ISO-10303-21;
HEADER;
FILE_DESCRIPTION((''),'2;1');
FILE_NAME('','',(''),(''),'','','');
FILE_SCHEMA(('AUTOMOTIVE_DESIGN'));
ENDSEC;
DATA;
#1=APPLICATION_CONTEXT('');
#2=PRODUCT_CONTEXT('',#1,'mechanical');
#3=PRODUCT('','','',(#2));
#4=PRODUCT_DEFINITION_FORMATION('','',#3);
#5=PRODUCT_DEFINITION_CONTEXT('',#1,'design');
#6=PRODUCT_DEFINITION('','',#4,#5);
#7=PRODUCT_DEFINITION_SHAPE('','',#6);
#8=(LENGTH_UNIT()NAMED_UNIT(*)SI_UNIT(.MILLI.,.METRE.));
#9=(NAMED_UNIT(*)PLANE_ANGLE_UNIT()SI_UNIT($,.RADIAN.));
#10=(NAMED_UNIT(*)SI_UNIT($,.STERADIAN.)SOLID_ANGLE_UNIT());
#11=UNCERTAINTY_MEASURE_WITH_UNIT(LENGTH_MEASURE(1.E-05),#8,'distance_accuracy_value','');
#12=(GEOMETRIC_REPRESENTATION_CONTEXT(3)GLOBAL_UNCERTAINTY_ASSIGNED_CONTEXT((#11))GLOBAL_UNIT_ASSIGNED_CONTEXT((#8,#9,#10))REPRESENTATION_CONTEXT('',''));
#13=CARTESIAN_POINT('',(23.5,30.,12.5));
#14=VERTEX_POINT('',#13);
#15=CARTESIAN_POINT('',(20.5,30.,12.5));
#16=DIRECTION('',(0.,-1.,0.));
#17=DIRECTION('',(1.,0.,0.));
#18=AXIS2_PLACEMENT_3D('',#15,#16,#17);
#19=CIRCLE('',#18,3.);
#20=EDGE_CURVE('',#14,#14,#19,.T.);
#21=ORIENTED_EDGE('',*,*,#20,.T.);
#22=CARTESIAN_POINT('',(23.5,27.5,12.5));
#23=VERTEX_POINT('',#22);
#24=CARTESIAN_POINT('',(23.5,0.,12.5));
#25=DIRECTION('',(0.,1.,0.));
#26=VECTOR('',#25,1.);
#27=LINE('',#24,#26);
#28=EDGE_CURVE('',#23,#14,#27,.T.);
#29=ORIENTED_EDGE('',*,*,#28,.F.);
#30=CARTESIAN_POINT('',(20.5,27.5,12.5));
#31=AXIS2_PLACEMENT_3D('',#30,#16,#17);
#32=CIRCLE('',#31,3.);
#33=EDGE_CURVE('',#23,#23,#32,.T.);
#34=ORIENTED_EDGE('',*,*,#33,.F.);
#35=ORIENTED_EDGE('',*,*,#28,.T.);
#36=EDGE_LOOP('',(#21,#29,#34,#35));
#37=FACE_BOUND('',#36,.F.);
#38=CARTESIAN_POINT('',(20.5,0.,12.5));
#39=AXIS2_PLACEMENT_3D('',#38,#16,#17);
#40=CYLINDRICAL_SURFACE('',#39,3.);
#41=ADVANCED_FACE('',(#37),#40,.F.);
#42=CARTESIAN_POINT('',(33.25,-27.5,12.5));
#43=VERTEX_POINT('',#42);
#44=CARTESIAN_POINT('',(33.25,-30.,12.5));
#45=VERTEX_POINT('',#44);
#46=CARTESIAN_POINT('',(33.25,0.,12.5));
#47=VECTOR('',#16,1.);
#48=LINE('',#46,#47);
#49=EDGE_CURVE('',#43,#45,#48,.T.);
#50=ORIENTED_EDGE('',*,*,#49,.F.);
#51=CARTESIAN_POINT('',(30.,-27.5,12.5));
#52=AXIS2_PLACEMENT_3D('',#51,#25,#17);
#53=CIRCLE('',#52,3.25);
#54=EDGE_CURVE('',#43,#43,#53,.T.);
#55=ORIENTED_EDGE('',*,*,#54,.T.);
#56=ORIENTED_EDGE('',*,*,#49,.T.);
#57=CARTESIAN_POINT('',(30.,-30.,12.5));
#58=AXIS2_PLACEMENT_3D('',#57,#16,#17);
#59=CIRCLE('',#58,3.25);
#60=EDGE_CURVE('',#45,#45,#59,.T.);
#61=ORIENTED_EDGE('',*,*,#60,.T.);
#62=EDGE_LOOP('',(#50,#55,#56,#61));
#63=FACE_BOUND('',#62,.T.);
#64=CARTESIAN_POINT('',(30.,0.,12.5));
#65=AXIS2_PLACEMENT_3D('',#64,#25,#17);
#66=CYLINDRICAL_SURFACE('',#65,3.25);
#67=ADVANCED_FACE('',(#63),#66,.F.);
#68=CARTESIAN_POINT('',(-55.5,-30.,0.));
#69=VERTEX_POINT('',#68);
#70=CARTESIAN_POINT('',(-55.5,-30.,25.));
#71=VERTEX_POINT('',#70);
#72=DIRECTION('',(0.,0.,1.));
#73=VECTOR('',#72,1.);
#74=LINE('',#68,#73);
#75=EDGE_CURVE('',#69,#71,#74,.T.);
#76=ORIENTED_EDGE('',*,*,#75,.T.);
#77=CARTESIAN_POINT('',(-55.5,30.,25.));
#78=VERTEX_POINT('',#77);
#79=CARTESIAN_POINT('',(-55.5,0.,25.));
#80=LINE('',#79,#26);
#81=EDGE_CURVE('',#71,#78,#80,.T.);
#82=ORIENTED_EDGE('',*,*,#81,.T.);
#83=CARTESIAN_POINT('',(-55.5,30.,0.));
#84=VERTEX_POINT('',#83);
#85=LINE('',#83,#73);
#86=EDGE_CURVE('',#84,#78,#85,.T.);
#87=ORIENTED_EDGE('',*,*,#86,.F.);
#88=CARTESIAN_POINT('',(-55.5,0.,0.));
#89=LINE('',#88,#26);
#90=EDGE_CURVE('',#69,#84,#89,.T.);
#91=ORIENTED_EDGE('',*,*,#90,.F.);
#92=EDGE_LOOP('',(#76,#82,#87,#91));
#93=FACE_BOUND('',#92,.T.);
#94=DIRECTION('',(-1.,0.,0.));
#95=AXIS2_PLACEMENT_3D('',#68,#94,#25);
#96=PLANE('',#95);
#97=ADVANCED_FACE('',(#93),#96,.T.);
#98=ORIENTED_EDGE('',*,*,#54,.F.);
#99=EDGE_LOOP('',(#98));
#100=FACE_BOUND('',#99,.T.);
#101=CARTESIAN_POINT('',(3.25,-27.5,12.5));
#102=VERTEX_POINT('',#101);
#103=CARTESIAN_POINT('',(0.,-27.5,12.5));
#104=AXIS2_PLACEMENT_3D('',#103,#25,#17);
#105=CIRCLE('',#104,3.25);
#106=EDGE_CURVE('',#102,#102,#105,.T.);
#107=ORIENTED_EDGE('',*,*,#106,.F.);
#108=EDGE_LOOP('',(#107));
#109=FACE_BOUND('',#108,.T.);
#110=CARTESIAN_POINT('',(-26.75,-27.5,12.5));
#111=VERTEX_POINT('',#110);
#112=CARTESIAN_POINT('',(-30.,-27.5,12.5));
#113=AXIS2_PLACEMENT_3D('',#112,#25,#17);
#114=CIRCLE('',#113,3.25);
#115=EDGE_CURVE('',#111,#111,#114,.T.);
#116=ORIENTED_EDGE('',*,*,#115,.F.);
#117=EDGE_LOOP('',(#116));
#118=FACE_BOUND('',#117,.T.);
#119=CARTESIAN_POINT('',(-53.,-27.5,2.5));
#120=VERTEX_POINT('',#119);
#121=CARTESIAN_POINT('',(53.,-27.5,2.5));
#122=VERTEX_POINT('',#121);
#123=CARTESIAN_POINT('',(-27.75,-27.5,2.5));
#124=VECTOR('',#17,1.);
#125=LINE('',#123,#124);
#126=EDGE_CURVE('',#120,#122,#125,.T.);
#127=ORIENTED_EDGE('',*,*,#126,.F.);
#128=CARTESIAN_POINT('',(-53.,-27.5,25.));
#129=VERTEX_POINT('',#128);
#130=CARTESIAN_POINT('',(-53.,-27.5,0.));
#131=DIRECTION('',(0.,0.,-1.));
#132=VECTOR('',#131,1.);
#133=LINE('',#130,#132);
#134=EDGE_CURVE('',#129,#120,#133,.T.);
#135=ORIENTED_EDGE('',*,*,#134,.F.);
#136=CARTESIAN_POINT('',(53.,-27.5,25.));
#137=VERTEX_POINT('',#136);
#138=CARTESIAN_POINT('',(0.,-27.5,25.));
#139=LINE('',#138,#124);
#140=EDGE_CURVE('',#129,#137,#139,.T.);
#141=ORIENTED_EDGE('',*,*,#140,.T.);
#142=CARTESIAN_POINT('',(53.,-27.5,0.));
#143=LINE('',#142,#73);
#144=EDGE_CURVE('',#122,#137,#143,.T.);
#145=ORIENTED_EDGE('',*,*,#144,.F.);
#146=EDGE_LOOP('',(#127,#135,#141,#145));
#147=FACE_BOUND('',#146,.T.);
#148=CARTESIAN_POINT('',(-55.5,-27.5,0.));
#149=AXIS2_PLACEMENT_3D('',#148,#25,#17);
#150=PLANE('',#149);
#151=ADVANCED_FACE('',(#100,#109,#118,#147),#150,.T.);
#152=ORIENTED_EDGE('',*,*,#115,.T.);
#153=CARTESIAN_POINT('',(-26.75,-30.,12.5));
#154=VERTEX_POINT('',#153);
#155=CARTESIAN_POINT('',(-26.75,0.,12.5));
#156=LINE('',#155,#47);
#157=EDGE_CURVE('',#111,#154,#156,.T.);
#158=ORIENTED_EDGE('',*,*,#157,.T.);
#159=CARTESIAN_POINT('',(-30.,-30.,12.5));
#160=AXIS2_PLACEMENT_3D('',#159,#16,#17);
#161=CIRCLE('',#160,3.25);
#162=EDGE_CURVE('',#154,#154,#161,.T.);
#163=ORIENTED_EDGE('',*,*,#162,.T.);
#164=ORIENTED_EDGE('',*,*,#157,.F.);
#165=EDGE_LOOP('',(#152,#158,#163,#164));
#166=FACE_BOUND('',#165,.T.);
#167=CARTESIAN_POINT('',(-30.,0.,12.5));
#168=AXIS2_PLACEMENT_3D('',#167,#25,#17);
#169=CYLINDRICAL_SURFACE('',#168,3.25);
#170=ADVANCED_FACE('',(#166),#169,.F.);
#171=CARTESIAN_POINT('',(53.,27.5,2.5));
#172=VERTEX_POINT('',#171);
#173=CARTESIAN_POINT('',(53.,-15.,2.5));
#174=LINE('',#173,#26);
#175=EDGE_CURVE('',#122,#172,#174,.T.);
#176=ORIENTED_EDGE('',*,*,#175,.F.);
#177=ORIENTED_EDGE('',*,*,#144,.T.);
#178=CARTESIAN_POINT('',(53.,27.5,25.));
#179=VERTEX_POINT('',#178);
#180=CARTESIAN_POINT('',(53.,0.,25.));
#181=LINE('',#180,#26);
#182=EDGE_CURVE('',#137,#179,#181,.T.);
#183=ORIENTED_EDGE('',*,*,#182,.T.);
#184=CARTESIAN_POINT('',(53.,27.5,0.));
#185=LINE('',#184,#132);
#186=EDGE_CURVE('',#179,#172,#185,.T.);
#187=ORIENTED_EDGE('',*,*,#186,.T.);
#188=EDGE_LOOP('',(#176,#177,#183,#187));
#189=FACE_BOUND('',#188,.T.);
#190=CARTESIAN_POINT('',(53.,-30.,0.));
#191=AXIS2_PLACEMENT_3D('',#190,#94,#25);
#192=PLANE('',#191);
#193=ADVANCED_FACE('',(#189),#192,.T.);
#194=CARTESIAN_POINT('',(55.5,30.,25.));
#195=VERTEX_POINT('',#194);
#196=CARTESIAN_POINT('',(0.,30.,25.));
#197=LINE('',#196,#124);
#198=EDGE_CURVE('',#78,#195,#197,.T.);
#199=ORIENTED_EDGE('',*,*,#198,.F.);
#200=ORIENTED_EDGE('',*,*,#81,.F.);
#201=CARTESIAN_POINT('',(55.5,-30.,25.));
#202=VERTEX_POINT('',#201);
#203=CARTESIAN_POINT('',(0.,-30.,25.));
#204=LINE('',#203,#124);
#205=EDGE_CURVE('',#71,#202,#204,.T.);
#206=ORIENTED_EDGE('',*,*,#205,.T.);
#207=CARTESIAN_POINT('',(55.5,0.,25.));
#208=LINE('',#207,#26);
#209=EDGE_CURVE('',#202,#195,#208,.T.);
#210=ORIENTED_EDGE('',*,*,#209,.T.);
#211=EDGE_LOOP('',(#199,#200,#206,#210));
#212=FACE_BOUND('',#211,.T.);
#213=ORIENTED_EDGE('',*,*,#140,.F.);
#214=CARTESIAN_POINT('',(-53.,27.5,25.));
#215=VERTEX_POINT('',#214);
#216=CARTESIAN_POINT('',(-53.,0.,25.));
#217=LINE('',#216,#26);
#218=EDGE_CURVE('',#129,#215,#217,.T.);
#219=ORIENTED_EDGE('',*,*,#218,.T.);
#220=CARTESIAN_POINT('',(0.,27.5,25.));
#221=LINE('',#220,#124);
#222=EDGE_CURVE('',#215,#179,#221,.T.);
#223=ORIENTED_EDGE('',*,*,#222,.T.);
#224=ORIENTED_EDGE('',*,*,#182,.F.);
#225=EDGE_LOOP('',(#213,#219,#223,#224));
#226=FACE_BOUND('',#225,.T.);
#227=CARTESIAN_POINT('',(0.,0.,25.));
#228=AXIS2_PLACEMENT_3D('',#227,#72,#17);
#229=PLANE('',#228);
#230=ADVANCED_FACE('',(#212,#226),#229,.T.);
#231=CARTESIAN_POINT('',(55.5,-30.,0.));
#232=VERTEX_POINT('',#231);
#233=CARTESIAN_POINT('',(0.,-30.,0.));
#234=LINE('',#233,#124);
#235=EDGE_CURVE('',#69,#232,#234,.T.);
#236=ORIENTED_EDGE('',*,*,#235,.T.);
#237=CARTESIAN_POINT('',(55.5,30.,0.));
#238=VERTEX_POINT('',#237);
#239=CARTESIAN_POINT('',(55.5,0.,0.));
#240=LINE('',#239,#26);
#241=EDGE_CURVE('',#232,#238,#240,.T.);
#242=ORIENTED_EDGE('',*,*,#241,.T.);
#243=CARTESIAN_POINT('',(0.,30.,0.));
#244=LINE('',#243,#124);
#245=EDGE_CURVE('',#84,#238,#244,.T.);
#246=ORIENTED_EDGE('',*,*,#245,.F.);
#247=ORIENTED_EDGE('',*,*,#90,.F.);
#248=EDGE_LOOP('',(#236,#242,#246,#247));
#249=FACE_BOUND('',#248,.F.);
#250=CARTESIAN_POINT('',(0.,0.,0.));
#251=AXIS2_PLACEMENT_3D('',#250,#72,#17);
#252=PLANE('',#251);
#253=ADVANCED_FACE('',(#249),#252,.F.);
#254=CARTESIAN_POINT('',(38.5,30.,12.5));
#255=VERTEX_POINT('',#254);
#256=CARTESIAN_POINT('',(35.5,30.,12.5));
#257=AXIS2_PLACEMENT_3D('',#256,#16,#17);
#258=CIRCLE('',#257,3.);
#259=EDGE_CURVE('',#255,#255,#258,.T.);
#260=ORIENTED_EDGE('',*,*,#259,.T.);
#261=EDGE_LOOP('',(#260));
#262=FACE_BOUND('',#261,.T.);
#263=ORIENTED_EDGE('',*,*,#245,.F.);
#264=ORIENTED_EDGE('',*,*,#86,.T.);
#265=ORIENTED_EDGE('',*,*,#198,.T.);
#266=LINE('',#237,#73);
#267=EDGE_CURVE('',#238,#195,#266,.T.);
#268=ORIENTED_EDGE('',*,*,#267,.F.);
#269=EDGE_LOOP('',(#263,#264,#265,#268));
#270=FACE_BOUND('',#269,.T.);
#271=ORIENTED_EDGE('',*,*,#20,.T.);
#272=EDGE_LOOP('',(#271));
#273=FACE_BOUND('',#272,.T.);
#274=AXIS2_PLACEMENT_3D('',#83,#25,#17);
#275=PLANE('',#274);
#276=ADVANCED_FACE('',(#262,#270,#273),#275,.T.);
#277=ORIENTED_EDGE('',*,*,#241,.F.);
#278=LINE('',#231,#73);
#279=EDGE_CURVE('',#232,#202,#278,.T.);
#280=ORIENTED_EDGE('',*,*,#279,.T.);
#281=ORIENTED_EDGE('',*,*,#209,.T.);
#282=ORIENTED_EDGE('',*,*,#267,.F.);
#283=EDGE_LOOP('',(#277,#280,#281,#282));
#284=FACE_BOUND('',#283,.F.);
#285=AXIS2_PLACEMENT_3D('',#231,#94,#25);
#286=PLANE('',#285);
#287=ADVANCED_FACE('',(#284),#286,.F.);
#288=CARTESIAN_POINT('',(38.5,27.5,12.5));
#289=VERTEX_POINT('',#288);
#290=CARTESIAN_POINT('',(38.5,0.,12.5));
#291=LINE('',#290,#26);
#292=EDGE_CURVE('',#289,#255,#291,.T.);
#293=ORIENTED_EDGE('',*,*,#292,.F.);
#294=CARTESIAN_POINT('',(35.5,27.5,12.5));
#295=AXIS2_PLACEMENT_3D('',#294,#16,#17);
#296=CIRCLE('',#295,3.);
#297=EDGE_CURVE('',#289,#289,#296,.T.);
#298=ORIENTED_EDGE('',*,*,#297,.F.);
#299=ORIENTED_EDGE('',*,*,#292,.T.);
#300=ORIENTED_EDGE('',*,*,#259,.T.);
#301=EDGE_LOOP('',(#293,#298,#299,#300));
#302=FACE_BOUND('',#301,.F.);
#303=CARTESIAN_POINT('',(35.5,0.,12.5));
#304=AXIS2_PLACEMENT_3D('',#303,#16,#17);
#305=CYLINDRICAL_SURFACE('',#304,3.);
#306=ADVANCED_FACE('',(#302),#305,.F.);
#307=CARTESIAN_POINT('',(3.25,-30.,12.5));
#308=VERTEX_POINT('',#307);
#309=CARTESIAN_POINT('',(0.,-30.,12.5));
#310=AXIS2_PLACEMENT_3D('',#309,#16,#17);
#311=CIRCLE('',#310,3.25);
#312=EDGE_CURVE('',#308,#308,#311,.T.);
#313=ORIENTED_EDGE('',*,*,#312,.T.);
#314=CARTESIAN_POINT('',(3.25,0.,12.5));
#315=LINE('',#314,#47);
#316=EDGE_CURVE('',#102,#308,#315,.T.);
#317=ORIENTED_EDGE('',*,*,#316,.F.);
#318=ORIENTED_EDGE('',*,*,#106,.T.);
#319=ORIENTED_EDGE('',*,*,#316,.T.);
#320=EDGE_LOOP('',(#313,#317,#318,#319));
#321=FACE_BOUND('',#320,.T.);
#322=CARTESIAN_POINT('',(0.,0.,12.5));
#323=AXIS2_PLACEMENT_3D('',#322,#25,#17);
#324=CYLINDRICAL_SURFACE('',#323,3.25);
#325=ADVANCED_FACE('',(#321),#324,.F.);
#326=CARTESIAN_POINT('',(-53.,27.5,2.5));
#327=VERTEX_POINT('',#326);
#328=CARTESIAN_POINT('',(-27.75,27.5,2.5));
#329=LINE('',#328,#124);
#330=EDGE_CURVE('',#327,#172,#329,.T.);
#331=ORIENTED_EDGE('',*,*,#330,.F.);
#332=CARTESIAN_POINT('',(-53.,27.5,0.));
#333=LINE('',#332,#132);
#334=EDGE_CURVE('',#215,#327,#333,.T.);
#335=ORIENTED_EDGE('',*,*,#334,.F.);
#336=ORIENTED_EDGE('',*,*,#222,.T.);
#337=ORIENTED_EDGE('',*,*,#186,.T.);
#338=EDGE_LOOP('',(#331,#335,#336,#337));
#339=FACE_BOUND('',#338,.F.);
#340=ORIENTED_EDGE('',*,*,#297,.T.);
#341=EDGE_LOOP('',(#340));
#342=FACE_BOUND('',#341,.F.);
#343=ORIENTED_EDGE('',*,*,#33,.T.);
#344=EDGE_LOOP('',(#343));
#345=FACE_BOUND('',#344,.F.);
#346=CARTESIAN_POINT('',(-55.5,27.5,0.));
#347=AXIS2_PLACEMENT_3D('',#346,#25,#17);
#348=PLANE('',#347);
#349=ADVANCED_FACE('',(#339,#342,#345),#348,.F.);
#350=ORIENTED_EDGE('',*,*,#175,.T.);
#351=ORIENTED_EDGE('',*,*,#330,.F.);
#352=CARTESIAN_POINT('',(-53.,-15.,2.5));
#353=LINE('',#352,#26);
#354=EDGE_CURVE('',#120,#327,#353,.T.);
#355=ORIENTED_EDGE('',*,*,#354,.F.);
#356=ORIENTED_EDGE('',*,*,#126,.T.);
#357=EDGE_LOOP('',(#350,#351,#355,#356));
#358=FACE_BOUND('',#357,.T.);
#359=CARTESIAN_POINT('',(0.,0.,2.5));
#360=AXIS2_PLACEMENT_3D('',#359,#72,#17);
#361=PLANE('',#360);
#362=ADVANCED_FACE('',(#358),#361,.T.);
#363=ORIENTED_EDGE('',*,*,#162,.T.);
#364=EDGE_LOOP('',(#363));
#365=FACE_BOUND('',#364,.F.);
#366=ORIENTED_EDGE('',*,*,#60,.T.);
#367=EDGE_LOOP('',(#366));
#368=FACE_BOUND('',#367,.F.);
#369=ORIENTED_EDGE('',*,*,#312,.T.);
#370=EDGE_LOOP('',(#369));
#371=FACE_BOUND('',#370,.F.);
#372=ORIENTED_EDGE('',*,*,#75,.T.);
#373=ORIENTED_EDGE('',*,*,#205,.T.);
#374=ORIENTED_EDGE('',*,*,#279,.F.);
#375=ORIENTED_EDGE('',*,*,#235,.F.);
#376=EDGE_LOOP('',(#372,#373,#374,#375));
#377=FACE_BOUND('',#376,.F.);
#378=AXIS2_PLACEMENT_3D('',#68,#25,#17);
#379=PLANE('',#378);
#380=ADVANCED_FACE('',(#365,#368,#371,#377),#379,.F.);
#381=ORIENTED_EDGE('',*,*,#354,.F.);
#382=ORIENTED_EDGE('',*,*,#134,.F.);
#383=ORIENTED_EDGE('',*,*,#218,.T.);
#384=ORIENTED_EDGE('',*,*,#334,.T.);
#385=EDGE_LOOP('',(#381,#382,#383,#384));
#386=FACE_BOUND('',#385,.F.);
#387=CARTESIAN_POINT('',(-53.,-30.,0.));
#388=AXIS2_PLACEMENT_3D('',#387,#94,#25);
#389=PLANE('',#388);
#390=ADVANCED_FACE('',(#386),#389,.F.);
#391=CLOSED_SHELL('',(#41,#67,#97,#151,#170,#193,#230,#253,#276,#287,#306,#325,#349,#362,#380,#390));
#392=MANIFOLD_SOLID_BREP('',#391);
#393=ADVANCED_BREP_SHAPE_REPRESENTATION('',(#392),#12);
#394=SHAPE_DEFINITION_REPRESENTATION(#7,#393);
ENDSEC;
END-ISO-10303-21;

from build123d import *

# Parameters (mm, degrees)
F0_W     = 111
F0_H     = 60
F1_DEPTH = 25
F2_T     = -2.5
F3_R     = 3.25
F4_DEPTH = 30
F5_R     = 3
F6_DEPTH = 30


with BuildPart() as f1:
    # F0 (on Top) → F1 (new body)
    with BuildSketch(Plane.XY):
        Rectangle(F0_W, F0_H)
    extrude(amount=F1_DEPTH)

    # F2
    f2_openings = [f1.faces().sort_by_distance(p)[0] for p in [
        (0, 0, 25),
    ]]
    offset(amount=F2_T, openings=f2_openings)

    # F3 (on Front) → F4 (cut, through all)
    with BuildSketch(Plane.XZ):
        with Locations((-30, 12.5)):
            Circle(F3_R)
        with Locations((30, 12.5)):
            Circle(F3_R)
        with Locations((0, 12.5)):
            Circle(F3_R)
    extrude(amount=F4_DEPTH, mode=Mode.SUBTRACT)

    # F5 (on Front) → F6 (cut, through all)
    with BuildSketch(Plane.XZ):
        with Locations((20.5, 12.5)):
            Circle(F5_R)
        with Locations((35.5, 12.5)):
            Circle(F5_R)
    extrude(amount=-F6_DEPTH, mode=Mode.SUBTRACT)


solid = f1.part
